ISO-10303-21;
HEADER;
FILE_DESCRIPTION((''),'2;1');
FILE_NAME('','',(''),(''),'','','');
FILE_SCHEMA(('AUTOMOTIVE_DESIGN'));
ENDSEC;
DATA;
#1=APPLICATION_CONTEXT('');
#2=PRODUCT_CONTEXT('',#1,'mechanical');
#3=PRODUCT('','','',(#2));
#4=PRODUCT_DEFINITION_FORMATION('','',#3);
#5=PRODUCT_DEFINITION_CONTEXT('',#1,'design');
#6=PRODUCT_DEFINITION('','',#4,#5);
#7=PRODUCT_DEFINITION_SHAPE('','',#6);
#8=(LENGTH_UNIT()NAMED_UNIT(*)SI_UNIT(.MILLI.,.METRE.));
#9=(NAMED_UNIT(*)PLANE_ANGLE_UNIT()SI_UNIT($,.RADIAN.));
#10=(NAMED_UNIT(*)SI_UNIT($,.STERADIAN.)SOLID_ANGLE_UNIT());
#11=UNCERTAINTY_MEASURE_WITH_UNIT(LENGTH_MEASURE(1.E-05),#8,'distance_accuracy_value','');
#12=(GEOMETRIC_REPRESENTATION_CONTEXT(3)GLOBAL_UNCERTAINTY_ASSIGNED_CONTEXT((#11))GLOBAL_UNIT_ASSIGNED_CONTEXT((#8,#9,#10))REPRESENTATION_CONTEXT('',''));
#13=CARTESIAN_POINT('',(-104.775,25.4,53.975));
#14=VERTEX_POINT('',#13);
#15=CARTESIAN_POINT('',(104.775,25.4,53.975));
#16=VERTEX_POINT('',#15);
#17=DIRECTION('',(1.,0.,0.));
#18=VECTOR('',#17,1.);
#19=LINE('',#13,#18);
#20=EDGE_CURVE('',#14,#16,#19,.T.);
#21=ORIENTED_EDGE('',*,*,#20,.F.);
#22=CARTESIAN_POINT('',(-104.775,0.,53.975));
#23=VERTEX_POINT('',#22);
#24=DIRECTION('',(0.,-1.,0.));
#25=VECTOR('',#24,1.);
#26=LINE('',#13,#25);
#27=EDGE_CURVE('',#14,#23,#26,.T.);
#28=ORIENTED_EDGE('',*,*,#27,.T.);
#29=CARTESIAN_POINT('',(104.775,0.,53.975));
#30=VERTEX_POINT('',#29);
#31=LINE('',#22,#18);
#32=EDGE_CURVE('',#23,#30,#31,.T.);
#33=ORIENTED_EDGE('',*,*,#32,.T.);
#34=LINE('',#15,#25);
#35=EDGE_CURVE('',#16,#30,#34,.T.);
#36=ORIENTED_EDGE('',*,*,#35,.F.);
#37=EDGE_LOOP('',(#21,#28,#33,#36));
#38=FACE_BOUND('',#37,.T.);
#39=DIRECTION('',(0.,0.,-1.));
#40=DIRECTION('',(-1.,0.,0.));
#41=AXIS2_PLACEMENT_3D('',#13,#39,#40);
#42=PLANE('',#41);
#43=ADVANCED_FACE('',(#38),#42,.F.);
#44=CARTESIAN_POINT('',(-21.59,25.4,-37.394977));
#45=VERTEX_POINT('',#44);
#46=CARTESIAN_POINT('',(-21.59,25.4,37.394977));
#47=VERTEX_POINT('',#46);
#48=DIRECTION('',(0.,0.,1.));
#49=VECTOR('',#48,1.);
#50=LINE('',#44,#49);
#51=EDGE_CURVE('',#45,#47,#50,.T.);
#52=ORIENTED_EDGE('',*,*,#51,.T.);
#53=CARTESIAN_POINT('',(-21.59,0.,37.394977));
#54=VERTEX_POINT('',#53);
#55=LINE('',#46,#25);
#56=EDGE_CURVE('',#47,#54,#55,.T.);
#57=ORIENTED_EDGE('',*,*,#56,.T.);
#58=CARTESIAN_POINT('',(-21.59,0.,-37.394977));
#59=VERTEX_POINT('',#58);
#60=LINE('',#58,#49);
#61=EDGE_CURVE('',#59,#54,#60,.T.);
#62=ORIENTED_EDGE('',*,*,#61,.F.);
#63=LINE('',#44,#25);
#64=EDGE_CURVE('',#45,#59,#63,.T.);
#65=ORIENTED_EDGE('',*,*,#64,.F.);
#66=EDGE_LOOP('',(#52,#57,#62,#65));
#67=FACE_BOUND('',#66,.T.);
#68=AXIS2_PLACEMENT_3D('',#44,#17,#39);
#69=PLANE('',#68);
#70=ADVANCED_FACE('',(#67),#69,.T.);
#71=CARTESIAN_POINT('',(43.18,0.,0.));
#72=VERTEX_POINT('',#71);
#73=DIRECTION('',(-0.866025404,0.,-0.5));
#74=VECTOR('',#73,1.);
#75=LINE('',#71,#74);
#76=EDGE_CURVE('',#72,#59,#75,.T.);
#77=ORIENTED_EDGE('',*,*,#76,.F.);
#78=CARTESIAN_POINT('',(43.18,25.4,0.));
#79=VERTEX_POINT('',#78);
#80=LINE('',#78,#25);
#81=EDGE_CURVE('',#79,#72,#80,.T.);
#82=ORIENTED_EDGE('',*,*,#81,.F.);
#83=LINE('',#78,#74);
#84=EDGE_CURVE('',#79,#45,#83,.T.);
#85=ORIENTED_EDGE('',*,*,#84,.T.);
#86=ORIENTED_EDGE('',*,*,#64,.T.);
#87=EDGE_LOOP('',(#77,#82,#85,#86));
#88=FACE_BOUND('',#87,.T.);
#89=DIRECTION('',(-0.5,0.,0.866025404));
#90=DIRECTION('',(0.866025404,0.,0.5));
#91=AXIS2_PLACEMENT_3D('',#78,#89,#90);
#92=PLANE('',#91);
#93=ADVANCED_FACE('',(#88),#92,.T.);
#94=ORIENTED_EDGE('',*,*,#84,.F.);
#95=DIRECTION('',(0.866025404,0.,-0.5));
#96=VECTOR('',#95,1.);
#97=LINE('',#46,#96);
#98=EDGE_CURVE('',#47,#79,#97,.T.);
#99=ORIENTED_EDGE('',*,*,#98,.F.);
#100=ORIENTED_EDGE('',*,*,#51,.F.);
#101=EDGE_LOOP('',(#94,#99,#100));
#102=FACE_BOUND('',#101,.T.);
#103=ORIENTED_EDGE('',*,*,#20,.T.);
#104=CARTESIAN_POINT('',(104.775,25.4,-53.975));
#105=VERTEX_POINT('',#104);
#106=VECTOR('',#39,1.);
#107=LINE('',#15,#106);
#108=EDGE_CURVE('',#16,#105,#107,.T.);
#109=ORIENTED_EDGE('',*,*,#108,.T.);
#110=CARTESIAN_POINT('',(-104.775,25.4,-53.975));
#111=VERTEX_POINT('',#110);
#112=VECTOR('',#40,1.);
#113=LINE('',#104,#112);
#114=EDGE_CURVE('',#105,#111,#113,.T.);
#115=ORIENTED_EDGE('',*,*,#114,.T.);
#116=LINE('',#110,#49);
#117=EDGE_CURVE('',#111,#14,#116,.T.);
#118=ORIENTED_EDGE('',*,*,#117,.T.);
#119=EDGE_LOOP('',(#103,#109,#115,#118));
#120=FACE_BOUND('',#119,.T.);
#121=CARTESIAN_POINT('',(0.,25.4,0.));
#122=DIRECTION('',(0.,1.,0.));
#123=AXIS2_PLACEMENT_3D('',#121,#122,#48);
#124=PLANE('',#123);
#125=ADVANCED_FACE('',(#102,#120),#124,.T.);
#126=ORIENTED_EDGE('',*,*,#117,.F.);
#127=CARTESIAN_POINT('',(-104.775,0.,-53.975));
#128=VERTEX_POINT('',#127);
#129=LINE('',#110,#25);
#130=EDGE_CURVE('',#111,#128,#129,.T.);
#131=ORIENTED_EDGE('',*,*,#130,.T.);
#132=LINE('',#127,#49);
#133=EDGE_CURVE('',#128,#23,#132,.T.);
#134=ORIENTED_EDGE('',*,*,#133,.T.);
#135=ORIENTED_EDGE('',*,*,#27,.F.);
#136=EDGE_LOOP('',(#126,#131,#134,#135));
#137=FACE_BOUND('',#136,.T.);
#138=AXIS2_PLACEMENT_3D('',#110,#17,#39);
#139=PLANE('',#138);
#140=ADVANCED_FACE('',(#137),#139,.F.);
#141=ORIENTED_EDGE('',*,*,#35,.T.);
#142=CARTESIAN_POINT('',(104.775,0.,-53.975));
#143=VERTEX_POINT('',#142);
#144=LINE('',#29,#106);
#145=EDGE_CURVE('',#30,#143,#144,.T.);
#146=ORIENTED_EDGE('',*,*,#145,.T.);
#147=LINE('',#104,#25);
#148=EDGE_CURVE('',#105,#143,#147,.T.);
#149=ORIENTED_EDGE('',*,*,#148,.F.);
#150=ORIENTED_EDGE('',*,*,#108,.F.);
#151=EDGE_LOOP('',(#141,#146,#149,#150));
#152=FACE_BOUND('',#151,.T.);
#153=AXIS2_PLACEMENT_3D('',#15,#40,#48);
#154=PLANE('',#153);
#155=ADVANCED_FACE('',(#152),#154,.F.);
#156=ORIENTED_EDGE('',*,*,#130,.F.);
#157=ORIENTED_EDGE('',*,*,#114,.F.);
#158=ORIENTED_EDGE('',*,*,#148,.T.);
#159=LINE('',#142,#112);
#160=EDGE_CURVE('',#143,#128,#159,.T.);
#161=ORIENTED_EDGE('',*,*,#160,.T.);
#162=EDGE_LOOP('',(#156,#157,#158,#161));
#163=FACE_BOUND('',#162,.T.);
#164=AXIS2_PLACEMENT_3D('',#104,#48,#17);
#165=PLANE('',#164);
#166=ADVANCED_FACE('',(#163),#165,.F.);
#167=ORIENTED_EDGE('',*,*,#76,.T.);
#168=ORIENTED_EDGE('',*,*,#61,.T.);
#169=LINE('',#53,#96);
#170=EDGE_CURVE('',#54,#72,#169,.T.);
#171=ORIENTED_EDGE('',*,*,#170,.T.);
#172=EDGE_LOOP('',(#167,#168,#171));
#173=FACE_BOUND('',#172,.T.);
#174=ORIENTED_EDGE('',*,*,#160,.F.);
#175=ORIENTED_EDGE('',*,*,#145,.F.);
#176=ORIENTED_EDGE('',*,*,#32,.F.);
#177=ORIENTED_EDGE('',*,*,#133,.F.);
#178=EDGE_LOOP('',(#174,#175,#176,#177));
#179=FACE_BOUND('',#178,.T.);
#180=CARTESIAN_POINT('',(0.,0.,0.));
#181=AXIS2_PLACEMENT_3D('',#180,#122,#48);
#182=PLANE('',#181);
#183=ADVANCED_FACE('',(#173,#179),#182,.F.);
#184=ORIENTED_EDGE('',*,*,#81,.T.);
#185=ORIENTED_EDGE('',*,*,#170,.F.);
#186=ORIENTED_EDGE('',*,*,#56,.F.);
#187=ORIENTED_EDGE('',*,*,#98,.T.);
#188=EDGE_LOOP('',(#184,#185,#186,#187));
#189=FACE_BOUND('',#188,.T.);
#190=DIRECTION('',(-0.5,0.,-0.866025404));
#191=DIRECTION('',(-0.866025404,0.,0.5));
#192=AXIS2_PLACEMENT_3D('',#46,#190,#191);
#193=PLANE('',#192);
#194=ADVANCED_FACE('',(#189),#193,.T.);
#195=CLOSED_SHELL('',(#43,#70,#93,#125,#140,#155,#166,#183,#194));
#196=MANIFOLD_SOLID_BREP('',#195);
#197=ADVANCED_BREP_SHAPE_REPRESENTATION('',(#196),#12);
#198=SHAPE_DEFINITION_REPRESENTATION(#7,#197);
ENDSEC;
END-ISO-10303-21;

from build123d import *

# Parameters (mm, degrees)
SKETCH1_W           = 209.55
SKETCH1_H           = 107.95
BOSS_EXTRUDE1_DEPTH = 25.4


with BuildPart() as part:
    # Sketch1 → Boss-Extrude1 (new body)
    with BuildSketch(Plane(origin=(0, 0, 0), x_dir=(1, 0, 0), z_dir=(0, 1, 0))):
        Rectangle(SKETCH1_W, SKETCH1_H)
        Polygon((-21.59, 37.394976935), (-21.59, -37.394976935), (43.18, 0), align=None, mode=Mode.SUBTRACT)
    extrude(amount=BOSS_EXTRUDE1_DEPTH)


solid = part.part
